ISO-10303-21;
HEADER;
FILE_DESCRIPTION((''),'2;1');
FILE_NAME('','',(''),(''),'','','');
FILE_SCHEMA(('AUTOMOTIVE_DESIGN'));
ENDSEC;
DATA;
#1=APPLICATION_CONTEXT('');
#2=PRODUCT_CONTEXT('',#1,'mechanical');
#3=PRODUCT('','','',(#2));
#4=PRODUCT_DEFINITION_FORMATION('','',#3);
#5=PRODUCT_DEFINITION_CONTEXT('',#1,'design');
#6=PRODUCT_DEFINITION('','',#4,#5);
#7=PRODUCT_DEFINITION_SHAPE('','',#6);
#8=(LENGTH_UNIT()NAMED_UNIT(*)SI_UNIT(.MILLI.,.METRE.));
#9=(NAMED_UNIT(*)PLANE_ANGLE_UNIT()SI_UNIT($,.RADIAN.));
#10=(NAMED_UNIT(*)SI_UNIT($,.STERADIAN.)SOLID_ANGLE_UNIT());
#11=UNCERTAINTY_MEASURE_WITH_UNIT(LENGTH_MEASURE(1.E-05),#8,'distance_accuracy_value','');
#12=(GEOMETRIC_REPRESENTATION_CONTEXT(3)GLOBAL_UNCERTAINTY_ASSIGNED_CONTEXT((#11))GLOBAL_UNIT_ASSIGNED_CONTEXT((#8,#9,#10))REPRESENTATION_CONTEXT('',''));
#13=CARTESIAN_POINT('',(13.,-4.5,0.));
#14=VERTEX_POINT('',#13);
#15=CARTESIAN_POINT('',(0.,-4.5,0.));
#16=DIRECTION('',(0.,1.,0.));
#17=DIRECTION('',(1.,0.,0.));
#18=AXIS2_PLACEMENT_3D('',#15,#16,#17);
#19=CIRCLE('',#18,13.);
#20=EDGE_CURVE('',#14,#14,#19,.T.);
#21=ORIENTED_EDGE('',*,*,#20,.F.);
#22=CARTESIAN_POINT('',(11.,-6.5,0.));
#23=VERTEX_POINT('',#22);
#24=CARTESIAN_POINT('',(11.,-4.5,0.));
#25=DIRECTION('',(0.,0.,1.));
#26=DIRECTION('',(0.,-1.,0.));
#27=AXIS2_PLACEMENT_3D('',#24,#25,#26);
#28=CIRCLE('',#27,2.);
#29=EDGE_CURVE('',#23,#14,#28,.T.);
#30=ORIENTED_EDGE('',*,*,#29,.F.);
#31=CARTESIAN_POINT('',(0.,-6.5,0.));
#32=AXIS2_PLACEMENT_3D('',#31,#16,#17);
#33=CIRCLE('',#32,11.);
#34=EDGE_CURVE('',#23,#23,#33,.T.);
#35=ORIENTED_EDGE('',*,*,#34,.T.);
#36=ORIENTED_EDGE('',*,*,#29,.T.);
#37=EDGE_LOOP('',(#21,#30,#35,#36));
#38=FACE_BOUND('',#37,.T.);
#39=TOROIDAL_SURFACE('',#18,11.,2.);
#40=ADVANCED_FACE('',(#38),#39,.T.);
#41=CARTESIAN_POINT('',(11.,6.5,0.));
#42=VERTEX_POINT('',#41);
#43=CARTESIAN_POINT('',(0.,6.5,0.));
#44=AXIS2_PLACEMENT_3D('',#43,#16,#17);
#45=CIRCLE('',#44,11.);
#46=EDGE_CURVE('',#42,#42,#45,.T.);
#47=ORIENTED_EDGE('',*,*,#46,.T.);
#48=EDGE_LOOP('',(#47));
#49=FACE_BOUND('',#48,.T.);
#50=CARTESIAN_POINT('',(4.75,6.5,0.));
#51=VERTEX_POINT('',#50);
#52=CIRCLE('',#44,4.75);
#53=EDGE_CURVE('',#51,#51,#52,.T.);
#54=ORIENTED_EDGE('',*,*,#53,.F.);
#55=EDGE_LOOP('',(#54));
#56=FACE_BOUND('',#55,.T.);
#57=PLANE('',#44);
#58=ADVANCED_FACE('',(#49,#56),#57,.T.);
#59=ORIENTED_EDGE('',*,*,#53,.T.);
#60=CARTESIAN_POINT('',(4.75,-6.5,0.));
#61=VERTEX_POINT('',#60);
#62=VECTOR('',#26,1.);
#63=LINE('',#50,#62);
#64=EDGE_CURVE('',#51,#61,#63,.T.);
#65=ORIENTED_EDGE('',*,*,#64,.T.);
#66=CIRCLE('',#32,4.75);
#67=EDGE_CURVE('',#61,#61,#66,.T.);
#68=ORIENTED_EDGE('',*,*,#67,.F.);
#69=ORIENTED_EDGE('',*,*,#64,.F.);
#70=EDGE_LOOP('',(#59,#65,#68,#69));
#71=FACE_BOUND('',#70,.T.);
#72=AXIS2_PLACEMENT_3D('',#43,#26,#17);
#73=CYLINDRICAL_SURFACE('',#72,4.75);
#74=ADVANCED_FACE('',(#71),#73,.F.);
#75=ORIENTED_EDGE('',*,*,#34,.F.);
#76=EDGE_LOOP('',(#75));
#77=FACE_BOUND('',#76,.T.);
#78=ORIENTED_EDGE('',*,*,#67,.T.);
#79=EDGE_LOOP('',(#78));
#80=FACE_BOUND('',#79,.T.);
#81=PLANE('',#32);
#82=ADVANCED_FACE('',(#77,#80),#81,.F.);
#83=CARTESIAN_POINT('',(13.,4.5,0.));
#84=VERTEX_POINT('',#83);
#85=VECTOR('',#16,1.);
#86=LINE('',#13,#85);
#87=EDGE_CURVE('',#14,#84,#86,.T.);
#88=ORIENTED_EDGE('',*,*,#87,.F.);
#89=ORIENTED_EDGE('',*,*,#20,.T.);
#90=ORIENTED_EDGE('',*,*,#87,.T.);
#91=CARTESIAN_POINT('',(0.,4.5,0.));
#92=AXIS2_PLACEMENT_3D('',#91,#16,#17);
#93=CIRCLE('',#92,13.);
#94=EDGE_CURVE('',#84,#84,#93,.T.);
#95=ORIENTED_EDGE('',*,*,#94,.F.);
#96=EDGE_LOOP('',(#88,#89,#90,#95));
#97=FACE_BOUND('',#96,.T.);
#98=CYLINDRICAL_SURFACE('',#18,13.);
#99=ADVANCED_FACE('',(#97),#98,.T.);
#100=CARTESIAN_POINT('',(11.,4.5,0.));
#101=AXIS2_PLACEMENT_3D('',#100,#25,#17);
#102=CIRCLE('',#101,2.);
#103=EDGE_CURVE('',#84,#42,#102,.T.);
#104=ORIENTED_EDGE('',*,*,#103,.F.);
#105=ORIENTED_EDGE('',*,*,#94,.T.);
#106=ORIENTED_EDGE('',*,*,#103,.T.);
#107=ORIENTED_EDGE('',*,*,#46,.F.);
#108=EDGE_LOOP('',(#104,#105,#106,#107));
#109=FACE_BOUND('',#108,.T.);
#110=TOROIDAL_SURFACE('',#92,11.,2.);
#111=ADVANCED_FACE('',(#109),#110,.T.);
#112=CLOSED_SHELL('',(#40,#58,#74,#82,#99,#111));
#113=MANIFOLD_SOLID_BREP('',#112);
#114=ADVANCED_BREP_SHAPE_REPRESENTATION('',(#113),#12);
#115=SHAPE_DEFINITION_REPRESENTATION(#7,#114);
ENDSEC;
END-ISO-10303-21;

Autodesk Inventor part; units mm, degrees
ref_plane "YZ Plane" through (0, 0, 0) normal (1, 0, 0) x (0, 1, 0)
ref_plane "XZ Plane" through (0, 0, 0) normal (0, 1, 0) x (-1, 0, 0)
ref_plane "XY Plane" through (0, 0, 0) normal (0, 0, 1) x (1, 0, 0)
sketch "Schizzo1" plane through (0, 0, 0) normal (0, 0, 1) x (1, 0, 0)
  line L0 (4.75, 6.5) -> (4.75, -6.5)
  line L1 (13, -4.5) -> (13, 4.5)
  line L2 (11, 6.5) -> (4.75, 6.5)
  line L3 (4.75, -6.5) -> (11, -6.5)
  arc A0 (11, -6.5) -> (13, -4.5) centre (11, -4.5) ccw
  arc A1 (13, 4.5) -> (11, 6.5) centre (11, 4.5) ccw
  line L4 (0, -9.6799) -> (0, 9.6799) projected
  point P0 (0, 0)
  point P1 (13, -6.5)
  point P2 (13, 6.5)
  dimension "d2" = 13
  dimension "d3" = 2
revolve "Rivoluzione1" add sketch "Schizzo1" angle 360 about axis through (0, -10, 0) along (0, 1, 0)
properties part number "Gommino inferiore"
